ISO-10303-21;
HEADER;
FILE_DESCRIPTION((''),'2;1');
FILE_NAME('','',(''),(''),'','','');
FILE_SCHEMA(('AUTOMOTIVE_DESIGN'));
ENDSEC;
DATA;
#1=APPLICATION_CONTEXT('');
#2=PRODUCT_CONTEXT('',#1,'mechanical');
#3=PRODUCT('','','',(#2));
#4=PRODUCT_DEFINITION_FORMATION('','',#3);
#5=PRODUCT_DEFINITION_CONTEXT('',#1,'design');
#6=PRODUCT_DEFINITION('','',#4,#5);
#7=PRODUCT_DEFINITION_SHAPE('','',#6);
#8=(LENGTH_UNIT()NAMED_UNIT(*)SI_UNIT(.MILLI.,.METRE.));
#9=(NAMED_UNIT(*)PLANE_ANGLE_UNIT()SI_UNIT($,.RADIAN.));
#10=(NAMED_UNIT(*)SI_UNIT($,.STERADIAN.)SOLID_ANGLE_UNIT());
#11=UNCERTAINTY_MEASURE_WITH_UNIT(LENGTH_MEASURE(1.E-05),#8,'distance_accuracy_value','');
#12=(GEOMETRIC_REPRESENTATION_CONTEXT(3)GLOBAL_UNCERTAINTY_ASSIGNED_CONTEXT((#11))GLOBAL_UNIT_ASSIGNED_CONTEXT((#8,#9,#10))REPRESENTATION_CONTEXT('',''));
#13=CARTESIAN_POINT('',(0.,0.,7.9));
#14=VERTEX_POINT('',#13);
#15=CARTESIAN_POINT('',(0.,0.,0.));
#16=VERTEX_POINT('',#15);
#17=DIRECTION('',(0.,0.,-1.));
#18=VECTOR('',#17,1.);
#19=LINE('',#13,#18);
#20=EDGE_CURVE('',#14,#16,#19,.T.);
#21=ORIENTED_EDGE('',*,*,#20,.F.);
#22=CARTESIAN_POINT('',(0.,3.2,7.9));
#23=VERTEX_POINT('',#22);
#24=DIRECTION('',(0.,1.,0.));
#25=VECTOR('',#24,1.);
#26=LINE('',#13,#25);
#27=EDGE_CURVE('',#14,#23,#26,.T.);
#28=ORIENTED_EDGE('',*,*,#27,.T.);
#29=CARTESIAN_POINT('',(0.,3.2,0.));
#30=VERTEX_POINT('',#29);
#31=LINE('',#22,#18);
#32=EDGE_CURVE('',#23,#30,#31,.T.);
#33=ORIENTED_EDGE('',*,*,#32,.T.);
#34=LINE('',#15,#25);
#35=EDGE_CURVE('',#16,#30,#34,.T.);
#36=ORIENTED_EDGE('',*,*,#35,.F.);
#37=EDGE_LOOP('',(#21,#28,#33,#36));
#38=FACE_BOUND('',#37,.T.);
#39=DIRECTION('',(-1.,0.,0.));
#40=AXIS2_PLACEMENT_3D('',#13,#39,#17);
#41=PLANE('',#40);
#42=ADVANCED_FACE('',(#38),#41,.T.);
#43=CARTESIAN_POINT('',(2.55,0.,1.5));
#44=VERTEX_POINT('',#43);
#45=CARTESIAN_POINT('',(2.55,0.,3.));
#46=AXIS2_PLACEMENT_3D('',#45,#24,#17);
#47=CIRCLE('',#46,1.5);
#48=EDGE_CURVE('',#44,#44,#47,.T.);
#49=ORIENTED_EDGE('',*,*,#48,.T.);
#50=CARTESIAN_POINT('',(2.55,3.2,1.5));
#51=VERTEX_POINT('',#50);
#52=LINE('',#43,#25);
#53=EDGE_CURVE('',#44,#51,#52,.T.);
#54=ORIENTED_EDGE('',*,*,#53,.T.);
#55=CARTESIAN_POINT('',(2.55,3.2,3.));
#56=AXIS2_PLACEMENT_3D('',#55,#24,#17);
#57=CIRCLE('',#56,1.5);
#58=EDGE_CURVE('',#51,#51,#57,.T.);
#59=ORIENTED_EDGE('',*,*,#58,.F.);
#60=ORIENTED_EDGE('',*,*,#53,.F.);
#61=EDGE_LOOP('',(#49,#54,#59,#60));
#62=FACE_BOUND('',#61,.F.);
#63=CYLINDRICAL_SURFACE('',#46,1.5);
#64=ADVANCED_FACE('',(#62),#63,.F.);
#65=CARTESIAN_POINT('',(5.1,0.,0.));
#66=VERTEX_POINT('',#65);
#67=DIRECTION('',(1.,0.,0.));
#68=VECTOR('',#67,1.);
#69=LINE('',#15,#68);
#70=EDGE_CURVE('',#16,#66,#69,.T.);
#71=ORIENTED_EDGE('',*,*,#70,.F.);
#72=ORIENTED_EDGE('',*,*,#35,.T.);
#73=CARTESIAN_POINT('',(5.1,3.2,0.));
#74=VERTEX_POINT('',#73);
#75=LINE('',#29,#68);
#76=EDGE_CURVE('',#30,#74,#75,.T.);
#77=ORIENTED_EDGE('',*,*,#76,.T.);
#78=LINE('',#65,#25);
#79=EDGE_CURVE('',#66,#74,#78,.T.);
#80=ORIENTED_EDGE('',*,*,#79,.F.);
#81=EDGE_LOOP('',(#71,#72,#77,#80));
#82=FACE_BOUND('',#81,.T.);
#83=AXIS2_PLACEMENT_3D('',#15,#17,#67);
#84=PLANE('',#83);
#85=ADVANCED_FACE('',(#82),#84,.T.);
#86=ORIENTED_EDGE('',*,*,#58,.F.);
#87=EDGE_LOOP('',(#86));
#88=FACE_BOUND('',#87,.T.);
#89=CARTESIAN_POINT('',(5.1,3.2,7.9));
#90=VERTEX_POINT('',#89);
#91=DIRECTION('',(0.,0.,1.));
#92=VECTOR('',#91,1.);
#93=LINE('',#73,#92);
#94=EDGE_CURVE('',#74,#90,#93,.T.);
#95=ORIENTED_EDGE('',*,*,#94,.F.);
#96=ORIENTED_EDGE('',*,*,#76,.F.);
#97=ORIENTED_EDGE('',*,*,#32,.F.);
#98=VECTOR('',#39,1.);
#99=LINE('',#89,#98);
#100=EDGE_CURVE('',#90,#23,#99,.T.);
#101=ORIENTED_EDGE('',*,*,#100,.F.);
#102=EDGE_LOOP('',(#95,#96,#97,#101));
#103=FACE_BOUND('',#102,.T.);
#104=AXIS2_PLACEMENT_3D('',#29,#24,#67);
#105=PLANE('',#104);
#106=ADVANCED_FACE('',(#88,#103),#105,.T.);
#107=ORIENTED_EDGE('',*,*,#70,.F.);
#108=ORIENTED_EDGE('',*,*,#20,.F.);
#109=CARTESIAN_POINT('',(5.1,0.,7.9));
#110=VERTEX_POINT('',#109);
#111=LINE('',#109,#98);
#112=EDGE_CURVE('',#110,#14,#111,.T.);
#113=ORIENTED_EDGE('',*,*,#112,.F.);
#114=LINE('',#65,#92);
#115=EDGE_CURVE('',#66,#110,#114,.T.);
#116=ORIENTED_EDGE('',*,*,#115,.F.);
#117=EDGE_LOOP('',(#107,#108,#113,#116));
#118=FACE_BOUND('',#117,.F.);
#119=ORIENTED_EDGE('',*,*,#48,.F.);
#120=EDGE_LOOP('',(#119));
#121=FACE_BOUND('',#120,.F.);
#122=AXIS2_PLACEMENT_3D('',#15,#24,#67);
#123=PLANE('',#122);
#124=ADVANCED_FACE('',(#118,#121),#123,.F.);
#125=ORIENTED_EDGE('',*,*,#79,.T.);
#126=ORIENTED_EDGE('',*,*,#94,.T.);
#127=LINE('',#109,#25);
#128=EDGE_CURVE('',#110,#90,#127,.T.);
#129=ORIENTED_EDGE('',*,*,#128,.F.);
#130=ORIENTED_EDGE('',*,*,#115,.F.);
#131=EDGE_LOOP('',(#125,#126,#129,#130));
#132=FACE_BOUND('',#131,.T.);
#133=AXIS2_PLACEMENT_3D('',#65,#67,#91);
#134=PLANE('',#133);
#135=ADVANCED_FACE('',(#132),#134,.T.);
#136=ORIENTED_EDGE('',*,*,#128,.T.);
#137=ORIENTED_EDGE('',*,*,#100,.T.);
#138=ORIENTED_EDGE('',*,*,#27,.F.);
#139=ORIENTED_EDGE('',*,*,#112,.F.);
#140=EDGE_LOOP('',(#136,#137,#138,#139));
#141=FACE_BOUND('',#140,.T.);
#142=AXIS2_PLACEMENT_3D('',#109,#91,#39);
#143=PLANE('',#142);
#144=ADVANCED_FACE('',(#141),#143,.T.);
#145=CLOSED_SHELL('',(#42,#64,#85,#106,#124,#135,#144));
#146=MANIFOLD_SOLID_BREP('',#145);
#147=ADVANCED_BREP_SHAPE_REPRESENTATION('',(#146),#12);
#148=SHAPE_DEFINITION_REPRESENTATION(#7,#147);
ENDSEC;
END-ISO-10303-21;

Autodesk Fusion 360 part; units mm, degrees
sketch "Sketch1" plane through (0, 0, 0) normal (0, 1, 0) x (1, 0, 0)
  line L0 (0, 0) -> (5.1, 0)
  line L1 (5.1, 0) -> (5.1, -7.9)
  line L2 (5.1, -7.9) -> (0, -7.9)
  line L3 (0, -7.9) -> (0, 0)
  point P0 (2.55, -3)
  dimension "d1" = 5.1
  dimension "d2" = 7.9
  dimension "d5" = 2.55
  dimension "d6" = 3
extrude "Extrude1" add sketch "Sketch1" along normal blind 3.2
hole "Hole1" at (2.55, 0, 3) direction (0, 1, 0) diameter 3 depth 8 tip angle 118
equation "d5 = ( 5.1 / 2 ) * 1 mm"
